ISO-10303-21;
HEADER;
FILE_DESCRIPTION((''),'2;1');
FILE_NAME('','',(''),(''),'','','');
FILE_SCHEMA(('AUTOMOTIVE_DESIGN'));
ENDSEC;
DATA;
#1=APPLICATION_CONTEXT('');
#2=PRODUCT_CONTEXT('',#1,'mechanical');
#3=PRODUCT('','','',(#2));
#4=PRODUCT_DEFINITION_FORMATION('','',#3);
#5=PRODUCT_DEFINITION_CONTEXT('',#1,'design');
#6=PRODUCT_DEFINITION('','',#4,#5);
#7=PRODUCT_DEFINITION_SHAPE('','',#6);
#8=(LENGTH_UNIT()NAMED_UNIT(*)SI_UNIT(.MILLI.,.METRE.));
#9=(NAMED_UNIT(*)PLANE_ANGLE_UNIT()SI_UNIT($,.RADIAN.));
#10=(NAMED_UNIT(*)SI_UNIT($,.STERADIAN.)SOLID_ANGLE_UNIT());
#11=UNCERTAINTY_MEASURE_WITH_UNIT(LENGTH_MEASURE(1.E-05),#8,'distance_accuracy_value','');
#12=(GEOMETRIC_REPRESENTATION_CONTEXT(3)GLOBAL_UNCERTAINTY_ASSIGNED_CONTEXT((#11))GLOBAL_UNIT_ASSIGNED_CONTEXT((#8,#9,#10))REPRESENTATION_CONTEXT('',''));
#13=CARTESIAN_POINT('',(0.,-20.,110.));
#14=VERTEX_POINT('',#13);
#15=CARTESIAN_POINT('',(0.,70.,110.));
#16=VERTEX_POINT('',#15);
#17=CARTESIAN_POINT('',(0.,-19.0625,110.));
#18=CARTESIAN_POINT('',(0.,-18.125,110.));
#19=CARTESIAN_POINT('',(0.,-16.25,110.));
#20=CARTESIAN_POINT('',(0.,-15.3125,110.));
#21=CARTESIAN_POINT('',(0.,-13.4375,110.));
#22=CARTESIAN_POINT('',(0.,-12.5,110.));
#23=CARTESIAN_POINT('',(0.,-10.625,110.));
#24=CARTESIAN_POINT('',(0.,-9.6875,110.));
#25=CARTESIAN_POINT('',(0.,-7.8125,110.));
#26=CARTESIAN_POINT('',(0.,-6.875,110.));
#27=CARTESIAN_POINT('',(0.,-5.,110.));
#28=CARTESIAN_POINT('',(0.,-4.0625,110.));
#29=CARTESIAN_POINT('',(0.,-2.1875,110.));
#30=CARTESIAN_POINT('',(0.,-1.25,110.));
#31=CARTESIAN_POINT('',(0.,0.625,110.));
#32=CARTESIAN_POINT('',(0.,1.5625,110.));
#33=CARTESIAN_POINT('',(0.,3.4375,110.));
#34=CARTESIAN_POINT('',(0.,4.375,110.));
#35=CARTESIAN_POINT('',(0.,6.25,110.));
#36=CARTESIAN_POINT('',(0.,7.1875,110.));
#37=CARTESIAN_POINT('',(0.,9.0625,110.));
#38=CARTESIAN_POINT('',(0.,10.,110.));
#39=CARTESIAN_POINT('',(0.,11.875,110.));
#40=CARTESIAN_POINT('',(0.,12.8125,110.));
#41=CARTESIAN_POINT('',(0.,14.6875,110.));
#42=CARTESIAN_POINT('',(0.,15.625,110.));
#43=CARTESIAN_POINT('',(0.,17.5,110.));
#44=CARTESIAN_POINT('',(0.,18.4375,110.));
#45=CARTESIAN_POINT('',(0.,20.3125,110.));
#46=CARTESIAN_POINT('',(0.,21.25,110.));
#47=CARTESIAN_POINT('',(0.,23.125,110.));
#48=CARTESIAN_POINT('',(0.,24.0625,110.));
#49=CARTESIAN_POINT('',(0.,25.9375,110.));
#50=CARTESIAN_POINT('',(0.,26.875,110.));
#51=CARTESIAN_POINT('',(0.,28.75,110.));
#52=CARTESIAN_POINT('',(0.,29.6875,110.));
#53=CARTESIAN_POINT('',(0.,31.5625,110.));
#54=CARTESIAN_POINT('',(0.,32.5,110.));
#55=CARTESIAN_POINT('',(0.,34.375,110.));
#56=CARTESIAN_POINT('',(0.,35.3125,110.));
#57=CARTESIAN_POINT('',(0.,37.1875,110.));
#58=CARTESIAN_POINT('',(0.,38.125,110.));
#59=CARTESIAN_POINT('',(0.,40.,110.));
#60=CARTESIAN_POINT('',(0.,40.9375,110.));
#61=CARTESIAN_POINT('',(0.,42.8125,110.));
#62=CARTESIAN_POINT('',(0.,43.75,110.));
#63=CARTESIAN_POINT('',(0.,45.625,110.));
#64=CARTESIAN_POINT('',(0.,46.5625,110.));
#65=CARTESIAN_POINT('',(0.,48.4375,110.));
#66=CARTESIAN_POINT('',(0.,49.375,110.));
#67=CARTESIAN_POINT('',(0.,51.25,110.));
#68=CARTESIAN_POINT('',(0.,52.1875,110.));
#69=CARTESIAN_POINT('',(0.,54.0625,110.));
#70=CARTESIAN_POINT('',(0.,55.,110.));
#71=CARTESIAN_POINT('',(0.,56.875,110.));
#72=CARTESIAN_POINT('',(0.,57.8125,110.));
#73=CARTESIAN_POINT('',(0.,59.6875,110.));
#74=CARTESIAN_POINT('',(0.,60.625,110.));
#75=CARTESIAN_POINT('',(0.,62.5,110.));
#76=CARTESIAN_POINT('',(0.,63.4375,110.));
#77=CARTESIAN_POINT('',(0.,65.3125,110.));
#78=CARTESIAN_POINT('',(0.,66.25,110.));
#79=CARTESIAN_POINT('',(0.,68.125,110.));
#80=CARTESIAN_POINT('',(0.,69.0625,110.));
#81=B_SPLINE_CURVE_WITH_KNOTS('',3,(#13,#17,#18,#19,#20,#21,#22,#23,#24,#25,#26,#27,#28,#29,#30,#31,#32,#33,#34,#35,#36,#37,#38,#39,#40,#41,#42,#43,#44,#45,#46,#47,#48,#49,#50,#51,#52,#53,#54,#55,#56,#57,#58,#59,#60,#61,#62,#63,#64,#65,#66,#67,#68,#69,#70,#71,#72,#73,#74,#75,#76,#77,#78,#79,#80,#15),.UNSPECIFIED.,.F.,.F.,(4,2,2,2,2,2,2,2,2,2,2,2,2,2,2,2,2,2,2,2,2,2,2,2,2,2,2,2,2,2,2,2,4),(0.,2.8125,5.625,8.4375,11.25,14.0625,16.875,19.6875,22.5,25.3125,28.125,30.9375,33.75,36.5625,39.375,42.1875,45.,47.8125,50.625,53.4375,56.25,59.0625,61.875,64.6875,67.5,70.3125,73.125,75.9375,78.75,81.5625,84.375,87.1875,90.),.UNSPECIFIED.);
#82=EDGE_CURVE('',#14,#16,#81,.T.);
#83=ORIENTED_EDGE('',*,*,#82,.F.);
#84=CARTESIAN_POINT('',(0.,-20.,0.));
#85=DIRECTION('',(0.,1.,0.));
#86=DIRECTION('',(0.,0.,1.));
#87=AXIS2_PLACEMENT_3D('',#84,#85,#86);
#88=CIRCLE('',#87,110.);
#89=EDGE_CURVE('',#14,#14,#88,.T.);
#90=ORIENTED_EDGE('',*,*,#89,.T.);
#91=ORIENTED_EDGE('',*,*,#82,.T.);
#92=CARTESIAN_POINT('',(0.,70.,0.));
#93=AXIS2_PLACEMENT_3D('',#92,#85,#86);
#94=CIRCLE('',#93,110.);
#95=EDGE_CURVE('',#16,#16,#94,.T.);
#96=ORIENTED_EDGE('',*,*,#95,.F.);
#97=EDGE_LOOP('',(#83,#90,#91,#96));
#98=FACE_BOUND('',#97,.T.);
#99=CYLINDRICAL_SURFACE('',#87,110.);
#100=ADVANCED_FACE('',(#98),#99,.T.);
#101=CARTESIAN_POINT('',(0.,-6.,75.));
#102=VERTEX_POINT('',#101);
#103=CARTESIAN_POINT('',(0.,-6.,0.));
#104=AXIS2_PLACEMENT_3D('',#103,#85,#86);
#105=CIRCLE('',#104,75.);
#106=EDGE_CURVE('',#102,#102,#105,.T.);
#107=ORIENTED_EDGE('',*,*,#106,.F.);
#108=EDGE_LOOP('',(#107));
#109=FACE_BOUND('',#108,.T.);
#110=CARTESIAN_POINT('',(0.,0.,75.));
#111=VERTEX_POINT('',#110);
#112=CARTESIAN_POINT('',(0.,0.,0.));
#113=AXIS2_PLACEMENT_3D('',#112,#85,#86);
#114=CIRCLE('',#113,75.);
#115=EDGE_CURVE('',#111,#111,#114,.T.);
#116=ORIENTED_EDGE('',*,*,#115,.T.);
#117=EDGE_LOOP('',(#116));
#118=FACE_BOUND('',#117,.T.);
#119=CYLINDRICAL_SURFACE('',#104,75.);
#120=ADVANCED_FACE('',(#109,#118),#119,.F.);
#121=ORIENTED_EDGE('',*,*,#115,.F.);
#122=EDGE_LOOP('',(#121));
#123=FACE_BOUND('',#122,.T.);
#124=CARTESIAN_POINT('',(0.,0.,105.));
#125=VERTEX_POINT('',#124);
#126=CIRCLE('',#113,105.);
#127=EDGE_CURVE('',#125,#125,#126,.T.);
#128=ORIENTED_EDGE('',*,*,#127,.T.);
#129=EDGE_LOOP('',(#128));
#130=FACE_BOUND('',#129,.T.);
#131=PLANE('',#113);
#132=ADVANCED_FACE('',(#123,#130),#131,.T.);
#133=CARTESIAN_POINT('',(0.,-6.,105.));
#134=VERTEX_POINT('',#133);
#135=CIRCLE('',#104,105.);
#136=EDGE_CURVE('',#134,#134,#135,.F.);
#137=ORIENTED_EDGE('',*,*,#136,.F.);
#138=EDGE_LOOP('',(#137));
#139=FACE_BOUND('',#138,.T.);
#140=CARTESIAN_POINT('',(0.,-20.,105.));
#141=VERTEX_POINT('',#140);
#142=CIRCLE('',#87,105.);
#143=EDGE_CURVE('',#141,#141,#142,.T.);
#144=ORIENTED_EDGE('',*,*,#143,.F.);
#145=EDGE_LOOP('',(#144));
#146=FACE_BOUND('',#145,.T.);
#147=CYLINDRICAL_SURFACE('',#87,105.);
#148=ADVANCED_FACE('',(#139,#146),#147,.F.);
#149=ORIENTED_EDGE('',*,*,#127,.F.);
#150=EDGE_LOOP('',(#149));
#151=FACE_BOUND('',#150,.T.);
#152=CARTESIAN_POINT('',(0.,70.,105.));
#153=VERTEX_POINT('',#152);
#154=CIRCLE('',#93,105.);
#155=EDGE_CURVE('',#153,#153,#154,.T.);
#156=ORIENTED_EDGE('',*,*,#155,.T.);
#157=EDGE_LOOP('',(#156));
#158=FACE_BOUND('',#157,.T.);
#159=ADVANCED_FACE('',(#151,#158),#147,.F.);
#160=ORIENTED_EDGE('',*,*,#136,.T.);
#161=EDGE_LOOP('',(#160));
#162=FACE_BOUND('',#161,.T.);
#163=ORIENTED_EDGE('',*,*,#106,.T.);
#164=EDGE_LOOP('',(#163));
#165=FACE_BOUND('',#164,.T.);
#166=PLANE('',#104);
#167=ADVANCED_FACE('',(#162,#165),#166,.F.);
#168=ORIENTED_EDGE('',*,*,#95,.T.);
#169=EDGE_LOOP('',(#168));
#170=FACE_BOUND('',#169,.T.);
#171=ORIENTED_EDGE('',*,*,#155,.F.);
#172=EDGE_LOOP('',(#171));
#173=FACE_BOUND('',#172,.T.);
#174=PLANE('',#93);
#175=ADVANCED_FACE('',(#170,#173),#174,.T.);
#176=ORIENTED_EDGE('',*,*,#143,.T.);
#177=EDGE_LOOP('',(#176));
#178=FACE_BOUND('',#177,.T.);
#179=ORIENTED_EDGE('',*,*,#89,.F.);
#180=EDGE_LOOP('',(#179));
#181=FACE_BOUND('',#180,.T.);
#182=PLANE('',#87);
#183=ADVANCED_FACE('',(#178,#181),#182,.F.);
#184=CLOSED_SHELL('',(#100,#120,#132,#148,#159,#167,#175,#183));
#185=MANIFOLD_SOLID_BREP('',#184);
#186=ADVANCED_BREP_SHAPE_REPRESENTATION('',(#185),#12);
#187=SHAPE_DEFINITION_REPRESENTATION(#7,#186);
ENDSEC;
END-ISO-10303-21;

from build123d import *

# Parameters (mm, degrees)
BOSS_EXTRUDE1_DEPTH      = 70
BOSS_EXTRUDE1_DEPTH_BACK = 20
SKETCH1_R                = 120
SKETCH1_R_2              = 105
SKETCH2_R                = 105
SKETCH2_R_2              = 75
BOSS_EXTRUDE2_DEPTH      = 6
SKETCH3_R                = 120
SKETCH3_R_2              = 115
CUT_EXTRUDE1_DEPTH       = 193.093727123
SKETCH4_R                = 120
SKETCH4_R_2              = 110
CUT_EXTRUDE2_DEPTH       = 186.876302954


with BuildPart() as part:
    # Sketch1 → Boss-Extrude1 (new, two sides: drawn at the far end of the back side and taken through both)
    with BuildSketch(Plane(origin=(0, 0, 0), x_dir=(1, 0, 0), z_dir=(0, 1, 0)).offset(-BOSS_EXTRUDE1_DEPTH_BACK)):
        with Locations(Location((0, 0, 0), (0, 0, 270))):
            Circle(SKETCH1_R)
        with Locations(Location((0, 0, 0), (0, 0, 270))):
            Circle(SKETCH1_R_2, mode=Mode.SUBTRACT)
    extrude(amount=BOSS_EXTRUDE1_DEPTH + BOSS_EXTRUDE1_DEPTH_BACK)

    # Sketch2 → Boss-Extrude2 (add)
    with BuildSketch(Plane(origin=(0, 0, 0), x_dir=(1, 0, 0), z_dir=(0, 1, 0))):
        with Locations(Location((0, 0, 0), (0, 0, 270))):
            Circle(SKETCH2_R)
        with Locations(Location((0, 0, 0), (0, 0, 270))):
            Circle(SKETCH2_R_2, mode=Mode.SUBTRACT)
    extrude(amount=-BOSS_EXTRUDE2_DEPTH)

    # Sketch3 → Cut-Extrude1 (cut, through all)
    with BuildSketch(Plane(origin=(0, 70, 0), x_dir=(1, 0, 0), z_dir=(0, 1, 0))):
        Circle(SKETCH3_R)
        with Locations(Location((0, 0, 0), (0, 0, 270))):
            Circle(SKETCH3_R_2, mode=Mode.SUBTRACT)
    extrude(amount=-CUT_EXTRUDE1_DEPTH, mode=Mode.SUBTRACT)

    # Sketch4 → Cut-Extrude2 (cut, through all)
    with BuildSketch(Plane(origin=(0, 70, 0), x_dir=(1, 0, 0), z_dir=(0, 1, 0))):
        Circle(SKETCH4_R)
        with Locations(Location((0, 0, 0), (0, 0, 270))):
            Circle(SKETCH4_R_2, mode=Mode.SUBTRACT)
    extrude(amount=-CUT_EXTRUDE2_DEPTH, mode=Mode.SUBTRACT)


solid = part.part
